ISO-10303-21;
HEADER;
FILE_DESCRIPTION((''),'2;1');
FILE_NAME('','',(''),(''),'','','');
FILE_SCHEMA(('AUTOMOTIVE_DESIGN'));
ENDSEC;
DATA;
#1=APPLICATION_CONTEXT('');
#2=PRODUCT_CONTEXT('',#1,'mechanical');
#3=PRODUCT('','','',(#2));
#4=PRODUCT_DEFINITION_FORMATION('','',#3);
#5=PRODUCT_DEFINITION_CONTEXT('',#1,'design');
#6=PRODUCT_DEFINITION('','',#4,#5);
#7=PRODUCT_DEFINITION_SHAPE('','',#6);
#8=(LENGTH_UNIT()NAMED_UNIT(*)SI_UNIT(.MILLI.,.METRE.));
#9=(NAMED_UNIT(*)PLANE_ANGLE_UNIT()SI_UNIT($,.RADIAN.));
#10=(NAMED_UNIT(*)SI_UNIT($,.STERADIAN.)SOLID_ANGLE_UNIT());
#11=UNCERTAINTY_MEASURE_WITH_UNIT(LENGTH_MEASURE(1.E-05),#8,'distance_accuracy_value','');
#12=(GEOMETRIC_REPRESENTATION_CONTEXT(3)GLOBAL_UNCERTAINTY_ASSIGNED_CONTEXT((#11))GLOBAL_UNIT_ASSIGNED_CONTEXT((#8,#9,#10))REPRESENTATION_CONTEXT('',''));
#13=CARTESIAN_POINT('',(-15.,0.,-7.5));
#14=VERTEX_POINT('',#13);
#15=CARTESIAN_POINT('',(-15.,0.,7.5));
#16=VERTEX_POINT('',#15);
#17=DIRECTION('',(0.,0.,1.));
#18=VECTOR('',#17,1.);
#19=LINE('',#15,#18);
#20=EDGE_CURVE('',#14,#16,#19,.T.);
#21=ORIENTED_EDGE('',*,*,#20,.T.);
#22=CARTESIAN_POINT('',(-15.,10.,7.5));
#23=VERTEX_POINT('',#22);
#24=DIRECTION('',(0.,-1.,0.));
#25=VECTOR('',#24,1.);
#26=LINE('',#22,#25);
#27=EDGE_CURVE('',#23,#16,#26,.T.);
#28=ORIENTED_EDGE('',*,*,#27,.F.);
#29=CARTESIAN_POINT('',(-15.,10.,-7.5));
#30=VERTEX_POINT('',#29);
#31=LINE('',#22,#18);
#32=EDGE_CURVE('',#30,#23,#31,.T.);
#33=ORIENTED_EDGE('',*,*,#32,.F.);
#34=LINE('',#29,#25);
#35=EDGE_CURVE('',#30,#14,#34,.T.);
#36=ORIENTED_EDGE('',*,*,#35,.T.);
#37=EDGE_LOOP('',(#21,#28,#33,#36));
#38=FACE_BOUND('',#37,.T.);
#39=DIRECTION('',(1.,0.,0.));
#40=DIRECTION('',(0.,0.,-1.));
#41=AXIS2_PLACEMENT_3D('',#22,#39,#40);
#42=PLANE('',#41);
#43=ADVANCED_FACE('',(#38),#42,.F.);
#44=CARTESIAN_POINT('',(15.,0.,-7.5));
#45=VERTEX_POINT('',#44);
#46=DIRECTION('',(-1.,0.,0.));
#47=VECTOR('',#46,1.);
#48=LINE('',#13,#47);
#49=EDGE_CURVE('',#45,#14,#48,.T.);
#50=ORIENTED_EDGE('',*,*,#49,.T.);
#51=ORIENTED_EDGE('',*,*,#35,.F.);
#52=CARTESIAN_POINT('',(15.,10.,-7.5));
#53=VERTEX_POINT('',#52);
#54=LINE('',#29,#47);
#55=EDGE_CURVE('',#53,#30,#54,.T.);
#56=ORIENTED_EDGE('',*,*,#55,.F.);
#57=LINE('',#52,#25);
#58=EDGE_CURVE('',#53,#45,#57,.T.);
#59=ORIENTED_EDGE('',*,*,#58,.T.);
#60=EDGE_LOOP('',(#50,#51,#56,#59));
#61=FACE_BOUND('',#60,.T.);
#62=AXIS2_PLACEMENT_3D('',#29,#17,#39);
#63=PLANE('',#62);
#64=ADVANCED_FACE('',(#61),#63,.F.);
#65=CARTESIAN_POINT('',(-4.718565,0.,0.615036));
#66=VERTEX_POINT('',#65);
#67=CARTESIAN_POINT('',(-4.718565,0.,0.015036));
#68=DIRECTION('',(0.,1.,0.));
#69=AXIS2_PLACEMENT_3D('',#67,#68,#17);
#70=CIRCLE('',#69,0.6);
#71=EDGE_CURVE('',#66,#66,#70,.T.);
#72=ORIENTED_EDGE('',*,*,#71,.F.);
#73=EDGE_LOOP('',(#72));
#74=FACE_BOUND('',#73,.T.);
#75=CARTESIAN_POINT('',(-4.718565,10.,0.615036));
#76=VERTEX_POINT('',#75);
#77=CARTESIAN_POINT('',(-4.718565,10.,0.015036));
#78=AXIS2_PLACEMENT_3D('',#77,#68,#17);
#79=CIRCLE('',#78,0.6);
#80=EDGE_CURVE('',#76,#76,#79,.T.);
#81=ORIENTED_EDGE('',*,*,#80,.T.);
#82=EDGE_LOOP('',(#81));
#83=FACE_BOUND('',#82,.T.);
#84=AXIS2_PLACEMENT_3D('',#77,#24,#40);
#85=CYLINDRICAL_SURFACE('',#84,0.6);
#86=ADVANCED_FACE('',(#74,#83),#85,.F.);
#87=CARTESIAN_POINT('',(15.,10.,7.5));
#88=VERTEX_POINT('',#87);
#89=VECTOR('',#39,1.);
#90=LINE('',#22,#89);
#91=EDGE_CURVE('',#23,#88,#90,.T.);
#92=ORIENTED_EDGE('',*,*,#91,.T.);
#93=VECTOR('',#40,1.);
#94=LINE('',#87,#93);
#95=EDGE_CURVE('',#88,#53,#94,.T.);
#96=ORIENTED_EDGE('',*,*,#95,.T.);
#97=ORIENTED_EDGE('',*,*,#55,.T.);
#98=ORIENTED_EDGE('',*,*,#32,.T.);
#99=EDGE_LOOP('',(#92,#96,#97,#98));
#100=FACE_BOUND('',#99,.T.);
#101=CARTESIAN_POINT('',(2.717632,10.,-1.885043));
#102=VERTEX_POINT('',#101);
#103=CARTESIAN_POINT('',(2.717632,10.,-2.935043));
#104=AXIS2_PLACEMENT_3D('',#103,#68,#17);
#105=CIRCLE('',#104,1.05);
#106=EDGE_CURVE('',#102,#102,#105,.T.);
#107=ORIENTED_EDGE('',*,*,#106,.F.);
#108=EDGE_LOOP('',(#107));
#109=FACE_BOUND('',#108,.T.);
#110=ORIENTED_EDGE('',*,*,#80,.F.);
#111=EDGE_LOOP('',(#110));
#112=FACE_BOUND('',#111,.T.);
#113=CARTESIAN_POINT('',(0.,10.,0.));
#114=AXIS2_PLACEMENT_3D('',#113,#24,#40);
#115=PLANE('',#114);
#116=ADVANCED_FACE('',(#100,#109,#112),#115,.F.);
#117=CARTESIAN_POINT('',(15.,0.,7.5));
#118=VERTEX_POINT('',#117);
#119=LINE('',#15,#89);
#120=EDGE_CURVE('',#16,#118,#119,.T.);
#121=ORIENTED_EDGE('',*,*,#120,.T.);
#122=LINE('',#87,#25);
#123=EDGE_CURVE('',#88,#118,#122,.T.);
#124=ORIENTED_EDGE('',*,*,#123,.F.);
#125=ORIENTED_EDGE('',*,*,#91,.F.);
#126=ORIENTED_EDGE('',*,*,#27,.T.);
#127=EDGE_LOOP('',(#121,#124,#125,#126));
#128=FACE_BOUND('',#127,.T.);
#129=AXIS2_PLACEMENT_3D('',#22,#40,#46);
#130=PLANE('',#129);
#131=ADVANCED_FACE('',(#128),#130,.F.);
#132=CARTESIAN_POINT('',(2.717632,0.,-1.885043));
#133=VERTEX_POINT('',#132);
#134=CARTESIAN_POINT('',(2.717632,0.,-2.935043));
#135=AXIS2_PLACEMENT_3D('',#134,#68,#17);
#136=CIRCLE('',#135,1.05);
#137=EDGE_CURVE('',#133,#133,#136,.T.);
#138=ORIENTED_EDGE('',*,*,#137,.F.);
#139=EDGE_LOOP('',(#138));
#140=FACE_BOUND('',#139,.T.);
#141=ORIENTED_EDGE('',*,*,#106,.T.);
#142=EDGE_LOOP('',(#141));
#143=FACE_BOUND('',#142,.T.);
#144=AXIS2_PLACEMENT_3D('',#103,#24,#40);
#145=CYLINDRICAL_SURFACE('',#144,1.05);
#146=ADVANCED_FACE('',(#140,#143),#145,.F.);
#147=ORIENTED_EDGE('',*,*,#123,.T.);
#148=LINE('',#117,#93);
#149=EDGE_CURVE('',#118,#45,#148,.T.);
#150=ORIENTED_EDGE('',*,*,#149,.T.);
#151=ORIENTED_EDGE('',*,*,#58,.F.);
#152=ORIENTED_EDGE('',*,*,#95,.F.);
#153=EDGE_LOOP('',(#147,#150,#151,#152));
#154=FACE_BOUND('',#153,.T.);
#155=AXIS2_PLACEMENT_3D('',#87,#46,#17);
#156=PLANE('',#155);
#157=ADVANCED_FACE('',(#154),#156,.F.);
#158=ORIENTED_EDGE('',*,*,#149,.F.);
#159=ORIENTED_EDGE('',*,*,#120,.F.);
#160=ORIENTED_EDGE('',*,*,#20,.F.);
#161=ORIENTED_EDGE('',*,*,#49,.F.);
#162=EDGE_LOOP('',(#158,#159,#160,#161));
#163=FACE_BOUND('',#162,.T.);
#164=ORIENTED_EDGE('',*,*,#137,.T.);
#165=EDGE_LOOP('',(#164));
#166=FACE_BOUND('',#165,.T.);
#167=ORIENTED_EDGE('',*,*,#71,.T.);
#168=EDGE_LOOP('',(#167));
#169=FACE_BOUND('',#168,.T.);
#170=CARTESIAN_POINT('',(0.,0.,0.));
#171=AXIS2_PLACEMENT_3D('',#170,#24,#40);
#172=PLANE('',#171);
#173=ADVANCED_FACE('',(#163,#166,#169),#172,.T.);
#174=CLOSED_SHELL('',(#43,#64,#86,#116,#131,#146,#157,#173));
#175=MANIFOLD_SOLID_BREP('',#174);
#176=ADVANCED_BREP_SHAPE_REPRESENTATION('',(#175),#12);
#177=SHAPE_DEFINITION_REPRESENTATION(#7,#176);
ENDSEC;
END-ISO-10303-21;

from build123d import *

# Parameters (mm, degrees)
SKETCH1_W           = 30
SKETCH1_H           = 15
SKETCH1_R           = 1.05
SKETCH1_R_2         = 0.6
BOSS_EXTRUDE1_DEPTH = 10


with BuildPart() as part:
    # Sketch1 → Boss-Extrude1 (new body)
    with BuildSketch(Plane(origin=(0, 0, 0), x_dir=(1, 0, 0), z_dir=(0, 1, 0))):
        Rectangle(SKETCH1_W, SKETCH1_H)
        with Locations(Location((2.717632126, 2.935042696, 0), (0, 0, 270))):
            Circle(SKETCH1_R, mode=Mode.SUBTRACT)
        with Locations(Location((-4.718565343, -0.01503649, 0), (0, 0, 270))):
            Circle(SKETCH1_R_2, mode=Mode.SUBTRACT)
    extrude(amount=BOSS_EXTRUDE1_DEPTH)


solid = part.part
